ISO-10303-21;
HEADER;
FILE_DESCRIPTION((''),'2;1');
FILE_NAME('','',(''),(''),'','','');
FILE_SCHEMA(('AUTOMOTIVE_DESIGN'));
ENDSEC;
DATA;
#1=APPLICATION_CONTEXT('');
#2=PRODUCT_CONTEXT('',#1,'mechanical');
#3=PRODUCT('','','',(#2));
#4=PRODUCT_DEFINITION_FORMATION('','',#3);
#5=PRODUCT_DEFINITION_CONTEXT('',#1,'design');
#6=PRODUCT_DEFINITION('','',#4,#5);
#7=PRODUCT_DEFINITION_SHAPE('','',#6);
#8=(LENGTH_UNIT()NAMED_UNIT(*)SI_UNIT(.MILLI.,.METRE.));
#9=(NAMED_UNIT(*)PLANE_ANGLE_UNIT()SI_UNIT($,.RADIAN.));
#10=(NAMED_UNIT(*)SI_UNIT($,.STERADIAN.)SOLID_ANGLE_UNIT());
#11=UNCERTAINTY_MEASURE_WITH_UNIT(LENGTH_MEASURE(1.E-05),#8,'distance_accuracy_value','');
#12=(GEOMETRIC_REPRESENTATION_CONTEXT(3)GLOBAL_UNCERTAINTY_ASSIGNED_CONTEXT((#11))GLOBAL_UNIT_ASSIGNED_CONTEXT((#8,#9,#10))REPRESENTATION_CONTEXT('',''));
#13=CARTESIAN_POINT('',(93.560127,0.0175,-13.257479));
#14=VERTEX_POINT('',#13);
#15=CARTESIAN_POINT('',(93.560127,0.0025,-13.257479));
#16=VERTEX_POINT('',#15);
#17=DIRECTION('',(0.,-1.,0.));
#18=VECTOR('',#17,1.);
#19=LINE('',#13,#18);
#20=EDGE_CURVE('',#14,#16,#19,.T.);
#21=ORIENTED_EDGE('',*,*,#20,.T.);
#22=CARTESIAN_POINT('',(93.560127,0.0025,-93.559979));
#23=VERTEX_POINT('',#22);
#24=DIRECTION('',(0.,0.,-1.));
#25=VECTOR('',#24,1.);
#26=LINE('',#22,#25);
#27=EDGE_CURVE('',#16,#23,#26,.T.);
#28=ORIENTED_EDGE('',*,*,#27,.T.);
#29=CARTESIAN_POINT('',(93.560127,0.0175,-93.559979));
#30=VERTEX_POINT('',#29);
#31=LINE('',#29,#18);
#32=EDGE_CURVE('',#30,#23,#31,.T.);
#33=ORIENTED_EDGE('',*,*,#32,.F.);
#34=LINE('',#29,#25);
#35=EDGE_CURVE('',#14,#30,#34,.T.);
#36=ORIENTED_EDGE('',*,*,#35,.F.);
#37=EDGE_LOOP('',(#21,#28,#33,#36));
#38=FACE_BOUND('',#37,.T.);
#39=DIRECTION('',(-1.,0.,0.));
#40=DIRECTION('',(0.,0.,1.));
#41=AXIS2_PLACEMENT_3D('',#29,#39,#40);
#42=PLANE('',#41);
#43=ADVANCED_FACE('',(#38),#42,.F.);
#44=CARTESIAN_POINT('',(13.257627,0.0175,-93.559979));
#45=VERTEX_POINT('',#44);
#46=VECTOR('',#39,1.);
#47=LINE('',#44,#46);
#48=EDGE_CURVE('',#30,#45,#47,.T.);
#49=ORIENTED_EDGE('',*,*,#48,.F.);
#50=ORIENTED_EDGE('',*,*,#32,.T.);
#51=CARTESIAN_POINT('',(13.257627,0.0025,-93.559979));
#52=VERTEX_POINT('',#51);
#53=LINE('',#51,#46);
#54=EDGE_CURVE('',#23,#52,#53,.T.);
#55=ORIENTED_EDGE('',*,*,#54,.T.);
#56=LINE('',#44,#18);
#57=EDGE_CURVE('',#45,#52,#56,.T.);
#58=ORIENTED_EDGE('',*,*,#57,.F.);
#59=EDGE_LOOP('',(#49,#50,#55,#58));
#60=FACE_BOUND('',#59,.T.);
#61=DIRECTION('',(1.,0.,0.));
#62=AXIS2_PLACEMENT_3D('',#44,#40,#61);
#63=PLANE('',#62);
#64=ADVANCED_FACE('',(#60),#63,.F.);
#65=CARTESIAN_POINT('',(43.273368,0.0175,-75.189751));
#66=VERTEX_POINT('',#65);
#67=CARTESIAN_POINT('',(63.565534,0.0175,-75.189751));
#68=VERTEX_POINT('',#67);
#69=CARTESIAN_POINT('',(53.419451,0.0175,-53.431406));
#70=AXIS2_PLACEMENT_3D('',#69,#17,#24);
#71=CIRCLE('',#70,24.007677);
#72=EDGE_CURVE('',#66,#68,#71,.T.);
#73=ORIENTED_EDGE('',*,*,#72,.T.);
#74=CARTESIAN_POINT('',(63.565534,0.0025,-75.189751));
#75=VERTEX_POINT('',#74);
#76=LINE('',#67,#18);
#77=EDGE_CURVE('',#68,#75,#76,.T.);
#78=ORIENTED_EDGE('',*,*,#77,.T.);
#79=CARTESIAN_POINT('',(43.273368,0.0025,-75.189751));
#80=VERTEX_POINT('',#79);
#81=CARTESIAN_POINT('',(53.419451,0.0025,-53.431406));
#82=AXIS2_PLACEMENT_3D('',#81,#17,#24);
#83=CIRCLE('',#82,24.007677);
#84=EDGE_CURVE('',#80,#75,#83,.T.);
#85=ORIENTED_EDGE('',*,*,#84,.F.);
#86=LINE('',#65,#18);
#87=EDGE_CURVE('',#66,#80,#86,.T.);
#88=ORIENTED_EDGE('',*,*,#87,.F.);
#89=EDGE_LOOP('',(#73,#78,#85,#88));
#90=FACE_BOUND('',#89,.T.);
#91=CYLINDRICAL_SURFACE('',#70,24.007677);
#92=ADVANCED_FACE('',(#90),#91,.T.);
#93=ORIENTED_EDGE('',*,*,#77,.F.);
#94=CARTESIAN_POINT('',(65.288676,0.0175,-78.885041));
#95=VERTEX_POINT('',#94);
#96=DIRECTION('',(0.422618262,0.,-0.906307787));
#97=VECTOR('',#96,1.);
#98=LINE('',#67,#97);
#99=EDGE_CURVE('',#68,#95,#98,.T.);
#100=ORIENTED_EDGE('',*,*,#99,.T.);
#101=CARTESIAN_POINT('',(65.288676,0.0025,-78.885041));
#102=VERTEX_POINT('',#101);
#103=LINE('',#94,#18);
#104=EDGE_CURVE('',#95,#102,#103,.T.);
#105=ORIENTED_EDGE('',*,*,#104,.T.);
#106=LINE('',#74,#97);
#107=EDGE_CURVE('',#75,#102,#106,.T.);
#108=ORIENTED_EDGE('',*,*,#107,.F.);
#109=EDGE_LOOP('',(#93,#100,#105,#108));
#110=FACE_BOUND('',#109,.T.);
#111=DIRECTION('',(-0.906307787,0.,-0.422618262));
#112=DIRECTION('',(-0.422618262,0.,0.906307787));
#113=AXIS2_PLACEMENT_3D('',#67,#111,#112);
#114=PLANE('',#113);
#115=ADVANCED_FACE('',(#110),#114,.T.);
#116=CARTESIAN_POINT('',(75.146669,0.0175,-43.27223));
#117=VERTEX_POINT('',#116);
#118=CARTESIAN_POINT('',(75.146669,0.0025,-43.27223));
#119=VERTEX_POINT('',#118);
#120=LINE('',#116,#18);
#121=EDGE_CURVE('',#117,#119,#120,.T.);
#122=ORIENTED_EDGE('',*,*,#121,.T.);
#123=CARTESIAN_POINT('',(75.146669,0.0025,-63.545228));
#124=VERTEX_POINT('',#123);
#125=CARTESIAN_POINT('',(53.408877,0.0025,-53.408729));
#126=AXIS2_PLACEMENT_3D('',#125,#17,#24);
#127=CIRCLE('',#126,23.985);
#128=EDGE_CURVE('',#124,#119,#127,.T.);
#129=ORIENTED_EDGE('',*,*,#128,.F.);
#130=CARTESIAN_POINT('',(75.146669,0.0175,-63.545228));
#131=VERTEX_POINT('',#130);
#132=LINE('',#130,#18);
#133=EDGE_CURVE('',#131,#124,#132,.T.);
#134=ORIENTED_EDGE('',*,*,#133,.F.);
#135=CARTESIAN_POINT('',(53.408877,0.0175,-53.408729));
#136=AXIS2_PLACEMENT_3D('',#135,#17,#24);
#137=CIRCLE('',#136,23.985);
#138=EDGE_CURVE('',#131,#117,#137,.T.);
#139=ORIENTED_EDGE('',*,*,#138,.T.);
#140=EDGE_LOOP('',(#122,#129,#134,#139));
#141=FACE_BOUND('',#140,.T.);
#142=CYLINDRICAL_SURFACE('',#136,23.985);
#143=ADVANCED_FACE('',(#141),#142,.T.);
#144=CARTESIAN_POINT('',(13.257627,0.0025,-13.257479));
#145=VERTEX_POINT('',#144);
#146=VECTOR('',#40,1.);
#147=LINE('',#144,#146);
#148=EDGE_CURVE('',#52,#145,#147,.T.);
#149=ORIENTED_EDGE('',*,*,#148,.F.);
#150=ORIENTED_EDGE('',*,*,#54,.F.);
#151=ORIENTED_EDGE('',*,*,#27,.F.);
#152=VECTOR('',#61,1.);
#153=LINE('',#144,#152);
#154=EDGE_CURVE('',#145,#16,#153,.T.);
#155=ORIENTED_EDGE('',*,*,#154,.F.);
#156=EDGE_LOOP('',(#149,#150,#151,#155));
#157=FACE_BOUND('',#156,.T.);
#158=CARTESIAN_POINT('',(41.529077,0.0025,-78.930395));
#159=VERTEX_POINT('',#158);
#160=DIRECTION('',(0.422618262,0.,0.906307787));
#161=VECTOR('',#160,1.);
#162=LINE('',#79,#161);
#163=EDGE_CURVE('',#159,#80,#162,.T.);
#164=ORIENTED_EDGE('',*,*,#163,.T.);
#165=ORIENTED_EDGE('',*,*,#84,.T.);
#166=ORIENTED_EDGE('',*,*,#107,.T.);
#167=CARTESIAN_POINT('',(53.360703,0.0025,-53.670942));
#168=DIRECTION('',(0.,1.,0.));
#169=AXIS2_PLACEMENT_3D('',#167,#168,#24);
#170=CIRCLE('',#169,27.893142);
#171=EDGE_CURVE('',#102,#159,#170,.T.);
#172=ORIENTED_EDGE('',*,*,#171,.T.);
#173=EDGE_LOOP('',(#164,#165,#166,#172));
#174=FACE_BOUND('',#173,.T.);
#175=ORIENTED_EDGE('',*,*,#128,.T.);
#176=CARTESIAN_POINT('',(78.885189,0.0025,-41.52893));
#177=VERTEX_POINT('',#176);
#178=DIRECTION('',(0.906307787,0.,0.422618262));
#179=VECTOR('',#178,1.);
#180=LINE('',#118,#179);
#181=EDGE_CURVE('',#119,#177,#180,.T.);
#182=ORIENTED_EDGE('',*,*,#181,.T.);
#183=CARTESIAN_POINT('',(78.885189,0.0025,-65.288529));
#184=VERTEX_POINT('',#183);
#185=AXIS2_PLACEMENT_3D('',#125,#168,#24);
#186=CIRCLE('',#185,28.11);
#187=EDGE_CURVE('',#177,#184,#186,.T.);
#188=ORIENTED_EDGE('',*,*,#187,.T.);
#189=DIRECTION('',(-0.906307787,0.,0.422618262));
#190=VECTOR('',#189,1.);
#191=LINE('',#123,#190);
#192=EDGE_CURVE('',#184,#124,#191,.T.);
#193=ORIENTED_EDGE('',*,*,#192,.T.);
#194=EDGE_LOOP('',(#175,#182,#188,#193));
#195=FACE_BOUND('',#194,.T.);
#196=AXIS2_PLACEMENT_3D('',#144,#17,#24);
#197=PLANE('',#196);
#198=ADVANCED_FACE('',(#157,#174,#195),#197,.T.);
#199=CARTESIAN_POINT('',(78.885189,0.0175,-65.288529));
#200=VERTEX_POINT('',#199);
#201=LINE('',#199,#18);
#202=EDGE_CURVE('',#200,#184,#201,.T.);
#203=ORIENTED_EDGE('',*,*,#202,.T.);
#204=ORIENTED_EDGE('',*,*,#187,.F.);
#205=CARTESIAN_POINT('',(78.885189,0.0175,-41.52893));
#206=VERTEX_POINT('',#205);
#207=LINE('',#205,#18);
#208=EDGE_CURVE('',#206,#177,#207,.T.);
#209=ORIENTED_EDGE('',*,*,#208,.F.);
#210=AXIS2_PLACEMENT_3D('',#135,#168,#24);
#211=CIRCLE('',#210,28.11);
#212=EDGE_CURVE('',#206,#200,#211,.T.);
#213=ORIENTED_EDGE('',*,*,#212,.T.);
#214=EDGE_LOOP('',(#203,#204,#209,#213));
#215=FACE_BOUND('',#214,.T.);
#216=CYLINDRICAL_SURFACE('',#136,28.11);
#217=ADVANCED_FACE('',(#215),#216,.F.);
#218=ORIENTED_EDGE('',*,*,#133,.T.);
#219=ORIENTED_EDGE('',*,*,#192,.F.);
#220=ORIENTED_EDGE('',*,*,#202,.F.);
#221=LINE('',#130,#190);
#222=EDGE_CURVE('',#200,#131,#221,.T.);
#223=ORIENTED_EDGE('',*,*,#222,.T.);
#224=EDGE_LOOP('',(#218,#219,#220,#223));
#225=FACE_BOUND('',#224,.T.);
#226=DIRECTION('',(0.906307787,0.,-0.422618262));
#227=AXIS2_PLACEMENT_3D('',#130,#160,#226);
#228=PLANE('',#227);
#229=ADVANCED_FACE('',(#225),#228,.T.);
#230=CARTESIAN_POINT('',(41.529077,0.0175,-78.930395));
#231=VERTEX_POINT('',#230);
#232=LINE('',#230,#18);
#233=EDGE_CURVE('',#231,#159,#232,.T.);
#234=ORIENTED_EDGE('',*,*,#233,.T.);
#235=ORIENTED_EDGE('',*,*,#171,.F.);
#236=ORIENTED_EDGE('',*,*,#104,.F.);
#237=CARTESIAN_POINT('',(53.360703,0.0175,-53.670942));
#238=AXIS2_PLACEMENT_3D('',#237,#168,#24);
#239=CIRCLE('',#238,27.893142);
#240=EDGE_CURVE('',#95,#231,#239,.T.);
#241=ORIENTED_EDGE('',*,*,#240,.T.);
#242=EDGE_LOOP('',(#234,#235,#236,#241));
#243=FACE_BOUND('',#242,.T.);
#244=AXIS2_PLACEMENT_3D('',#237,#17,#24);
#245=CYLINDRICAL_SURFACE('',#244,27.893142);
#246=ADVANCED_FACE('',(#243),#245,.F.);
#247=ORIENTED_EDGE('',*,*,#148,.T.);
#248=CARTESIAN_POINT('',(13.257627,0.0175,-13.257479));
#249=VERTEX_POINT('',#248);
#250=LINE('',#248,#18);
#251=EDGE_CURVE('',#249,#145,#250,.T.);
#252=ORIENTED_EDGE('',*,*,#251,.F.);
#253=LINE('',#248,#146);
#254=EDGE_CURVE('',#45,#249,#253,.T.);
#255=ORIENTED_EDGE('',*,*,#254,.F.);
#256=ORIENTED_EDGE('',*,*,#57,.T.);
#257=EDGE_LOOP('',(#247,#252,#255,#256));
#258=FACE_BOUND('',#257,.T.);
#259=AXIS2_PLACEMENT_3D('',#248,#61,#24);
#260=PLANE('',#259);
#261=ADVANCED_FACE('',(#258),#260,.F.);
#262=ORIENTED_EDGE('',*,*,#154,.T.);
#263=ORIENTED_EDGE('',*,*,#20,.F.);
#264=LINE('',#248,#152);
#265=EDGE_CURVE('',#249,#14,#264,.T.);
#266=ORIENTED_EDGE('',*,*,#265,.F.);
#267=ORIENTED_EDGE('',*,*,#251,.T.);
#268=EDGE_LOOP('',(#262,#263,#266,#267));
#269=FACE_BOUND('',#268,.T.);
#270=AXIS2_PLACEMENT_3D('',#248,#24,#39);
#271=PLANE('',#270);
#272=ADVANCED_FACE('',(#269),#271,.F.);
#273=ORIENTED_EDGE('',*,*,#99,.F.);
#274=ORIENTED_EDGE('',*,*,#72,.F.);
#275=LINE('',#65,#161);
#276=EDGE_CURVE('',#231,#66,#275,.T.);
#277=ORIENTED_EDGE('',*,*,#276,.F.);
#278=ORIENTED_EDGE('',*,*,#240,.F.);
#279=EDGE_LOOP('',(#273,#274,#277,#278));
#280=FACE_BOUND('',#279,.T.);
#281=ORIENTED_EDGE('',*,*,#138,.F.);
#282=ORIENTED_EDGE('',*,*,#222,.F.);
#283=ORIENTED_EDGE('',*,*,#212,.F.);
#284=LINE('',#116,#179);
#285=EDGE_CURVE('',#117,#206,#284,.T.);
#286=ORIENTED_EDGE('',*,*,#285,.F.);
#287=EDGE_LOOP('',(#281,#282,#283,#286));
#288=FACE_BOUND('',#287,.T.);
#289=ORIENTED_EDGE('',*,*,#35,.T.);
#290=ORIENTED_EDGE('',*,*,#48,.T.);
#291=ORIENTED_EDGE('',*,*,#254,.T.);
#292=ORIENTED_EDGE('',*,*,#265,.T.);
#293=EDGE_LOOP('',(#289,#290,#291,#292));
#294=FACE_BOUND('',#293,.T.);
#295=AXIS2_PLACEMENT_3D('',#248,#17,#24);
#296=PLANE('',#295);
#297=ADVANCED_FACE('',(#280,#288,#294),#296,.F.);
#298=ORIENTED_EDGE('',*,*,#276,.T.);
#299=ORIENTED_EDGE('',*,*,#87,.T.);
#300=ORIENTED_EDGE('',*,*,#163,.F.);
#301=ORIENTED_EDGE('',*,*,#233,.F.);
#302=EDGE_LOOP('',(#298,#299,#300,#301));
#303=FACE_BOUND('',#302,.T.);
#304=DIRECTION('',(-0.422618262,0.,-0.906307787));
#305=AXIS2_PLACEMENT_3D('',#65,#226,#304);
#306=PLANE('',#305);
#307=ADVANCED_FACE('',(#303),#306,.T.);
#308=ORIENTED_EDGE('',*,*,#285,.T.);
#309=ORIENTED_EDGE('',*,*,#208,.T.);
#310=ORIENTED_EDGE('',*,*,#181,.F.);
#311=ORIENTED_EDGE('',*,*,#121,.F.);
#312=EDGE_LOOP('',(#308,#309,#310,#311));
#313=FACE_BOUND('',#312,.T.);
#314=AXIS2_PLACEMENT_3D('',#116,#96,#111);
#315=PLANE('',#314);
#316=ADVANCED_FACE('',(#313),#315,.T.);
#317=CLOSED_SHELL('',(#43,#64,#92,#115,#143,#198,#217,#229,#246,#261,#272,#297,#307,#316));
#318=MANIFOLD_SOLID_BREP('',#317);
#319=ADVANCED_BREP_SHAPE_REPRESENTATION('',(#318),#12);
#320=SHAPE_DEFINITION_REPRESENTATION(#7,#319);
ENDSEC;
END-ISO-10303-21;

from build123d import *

# Parameters (mm, degrees)
SKETCH1_W           = 107.07
SKETCH1_H           = 107.07
BOSS_EXTRUDE1_DEPTH = 0.02
SCALE2_SCALE        = 0.75


with BuildPart() as part:
    # Sketch1 → Boss-Extrude1 (new body)
    with BuildSketch(Plane(origin=(0, 0, 0), x_dir=(1, 0, 0), z_dir=(0, 1, 0))):
        with Locations((53.535, 53.535)):
            Rectangle(SKETCH1_W, SKETCH1_H)
        with BuildLine():
            Line((40.02098899, 82.576362505), (37.69526755, 87.563888229))
            ThreePointArc((37.69526755, 87.563888229), (53.541760789, 91.075404612), (69.37473245, 87.503415858))
            Line((69.37473245, 87.503415858), (67.077209739, 82.576362505))
            ThreePointArc((67.077209739, 82.576362505), (53.549099365, 85.57547237), (40.02098899, 82.576362505))
        make_face(mode=Mode.SUBTRACT)
        with BuildLine():
            Line((82.518723029, 67.05033201), (87.503415858, 69.37473245))
            ThreePointArc((87.503415858, 69.37473245), (91.015, 53.535), (87.503415858, 37.69526755))
            Line((87.503415858, 37.69526755), (82.518723029, 40.01966799))
            ThreePointArc((82.518723029, 40.01966799), (85.515, 53.535), (82.518723029, 67.05033201))
        make_face(mode=Mode.SUBTRACT)
    extrude(amount=BOSS_EXTRUDE1_DEPTH)


with BuildPart() as part_1:
    # Scale2: scaled about (53.030506877, 0.01, -53.029916686)
    add(part.part.scale(SCALE2_SCALE).moved(Location((13.257626719, 0.0025, -13.257479171))))


solid = part_1.part
